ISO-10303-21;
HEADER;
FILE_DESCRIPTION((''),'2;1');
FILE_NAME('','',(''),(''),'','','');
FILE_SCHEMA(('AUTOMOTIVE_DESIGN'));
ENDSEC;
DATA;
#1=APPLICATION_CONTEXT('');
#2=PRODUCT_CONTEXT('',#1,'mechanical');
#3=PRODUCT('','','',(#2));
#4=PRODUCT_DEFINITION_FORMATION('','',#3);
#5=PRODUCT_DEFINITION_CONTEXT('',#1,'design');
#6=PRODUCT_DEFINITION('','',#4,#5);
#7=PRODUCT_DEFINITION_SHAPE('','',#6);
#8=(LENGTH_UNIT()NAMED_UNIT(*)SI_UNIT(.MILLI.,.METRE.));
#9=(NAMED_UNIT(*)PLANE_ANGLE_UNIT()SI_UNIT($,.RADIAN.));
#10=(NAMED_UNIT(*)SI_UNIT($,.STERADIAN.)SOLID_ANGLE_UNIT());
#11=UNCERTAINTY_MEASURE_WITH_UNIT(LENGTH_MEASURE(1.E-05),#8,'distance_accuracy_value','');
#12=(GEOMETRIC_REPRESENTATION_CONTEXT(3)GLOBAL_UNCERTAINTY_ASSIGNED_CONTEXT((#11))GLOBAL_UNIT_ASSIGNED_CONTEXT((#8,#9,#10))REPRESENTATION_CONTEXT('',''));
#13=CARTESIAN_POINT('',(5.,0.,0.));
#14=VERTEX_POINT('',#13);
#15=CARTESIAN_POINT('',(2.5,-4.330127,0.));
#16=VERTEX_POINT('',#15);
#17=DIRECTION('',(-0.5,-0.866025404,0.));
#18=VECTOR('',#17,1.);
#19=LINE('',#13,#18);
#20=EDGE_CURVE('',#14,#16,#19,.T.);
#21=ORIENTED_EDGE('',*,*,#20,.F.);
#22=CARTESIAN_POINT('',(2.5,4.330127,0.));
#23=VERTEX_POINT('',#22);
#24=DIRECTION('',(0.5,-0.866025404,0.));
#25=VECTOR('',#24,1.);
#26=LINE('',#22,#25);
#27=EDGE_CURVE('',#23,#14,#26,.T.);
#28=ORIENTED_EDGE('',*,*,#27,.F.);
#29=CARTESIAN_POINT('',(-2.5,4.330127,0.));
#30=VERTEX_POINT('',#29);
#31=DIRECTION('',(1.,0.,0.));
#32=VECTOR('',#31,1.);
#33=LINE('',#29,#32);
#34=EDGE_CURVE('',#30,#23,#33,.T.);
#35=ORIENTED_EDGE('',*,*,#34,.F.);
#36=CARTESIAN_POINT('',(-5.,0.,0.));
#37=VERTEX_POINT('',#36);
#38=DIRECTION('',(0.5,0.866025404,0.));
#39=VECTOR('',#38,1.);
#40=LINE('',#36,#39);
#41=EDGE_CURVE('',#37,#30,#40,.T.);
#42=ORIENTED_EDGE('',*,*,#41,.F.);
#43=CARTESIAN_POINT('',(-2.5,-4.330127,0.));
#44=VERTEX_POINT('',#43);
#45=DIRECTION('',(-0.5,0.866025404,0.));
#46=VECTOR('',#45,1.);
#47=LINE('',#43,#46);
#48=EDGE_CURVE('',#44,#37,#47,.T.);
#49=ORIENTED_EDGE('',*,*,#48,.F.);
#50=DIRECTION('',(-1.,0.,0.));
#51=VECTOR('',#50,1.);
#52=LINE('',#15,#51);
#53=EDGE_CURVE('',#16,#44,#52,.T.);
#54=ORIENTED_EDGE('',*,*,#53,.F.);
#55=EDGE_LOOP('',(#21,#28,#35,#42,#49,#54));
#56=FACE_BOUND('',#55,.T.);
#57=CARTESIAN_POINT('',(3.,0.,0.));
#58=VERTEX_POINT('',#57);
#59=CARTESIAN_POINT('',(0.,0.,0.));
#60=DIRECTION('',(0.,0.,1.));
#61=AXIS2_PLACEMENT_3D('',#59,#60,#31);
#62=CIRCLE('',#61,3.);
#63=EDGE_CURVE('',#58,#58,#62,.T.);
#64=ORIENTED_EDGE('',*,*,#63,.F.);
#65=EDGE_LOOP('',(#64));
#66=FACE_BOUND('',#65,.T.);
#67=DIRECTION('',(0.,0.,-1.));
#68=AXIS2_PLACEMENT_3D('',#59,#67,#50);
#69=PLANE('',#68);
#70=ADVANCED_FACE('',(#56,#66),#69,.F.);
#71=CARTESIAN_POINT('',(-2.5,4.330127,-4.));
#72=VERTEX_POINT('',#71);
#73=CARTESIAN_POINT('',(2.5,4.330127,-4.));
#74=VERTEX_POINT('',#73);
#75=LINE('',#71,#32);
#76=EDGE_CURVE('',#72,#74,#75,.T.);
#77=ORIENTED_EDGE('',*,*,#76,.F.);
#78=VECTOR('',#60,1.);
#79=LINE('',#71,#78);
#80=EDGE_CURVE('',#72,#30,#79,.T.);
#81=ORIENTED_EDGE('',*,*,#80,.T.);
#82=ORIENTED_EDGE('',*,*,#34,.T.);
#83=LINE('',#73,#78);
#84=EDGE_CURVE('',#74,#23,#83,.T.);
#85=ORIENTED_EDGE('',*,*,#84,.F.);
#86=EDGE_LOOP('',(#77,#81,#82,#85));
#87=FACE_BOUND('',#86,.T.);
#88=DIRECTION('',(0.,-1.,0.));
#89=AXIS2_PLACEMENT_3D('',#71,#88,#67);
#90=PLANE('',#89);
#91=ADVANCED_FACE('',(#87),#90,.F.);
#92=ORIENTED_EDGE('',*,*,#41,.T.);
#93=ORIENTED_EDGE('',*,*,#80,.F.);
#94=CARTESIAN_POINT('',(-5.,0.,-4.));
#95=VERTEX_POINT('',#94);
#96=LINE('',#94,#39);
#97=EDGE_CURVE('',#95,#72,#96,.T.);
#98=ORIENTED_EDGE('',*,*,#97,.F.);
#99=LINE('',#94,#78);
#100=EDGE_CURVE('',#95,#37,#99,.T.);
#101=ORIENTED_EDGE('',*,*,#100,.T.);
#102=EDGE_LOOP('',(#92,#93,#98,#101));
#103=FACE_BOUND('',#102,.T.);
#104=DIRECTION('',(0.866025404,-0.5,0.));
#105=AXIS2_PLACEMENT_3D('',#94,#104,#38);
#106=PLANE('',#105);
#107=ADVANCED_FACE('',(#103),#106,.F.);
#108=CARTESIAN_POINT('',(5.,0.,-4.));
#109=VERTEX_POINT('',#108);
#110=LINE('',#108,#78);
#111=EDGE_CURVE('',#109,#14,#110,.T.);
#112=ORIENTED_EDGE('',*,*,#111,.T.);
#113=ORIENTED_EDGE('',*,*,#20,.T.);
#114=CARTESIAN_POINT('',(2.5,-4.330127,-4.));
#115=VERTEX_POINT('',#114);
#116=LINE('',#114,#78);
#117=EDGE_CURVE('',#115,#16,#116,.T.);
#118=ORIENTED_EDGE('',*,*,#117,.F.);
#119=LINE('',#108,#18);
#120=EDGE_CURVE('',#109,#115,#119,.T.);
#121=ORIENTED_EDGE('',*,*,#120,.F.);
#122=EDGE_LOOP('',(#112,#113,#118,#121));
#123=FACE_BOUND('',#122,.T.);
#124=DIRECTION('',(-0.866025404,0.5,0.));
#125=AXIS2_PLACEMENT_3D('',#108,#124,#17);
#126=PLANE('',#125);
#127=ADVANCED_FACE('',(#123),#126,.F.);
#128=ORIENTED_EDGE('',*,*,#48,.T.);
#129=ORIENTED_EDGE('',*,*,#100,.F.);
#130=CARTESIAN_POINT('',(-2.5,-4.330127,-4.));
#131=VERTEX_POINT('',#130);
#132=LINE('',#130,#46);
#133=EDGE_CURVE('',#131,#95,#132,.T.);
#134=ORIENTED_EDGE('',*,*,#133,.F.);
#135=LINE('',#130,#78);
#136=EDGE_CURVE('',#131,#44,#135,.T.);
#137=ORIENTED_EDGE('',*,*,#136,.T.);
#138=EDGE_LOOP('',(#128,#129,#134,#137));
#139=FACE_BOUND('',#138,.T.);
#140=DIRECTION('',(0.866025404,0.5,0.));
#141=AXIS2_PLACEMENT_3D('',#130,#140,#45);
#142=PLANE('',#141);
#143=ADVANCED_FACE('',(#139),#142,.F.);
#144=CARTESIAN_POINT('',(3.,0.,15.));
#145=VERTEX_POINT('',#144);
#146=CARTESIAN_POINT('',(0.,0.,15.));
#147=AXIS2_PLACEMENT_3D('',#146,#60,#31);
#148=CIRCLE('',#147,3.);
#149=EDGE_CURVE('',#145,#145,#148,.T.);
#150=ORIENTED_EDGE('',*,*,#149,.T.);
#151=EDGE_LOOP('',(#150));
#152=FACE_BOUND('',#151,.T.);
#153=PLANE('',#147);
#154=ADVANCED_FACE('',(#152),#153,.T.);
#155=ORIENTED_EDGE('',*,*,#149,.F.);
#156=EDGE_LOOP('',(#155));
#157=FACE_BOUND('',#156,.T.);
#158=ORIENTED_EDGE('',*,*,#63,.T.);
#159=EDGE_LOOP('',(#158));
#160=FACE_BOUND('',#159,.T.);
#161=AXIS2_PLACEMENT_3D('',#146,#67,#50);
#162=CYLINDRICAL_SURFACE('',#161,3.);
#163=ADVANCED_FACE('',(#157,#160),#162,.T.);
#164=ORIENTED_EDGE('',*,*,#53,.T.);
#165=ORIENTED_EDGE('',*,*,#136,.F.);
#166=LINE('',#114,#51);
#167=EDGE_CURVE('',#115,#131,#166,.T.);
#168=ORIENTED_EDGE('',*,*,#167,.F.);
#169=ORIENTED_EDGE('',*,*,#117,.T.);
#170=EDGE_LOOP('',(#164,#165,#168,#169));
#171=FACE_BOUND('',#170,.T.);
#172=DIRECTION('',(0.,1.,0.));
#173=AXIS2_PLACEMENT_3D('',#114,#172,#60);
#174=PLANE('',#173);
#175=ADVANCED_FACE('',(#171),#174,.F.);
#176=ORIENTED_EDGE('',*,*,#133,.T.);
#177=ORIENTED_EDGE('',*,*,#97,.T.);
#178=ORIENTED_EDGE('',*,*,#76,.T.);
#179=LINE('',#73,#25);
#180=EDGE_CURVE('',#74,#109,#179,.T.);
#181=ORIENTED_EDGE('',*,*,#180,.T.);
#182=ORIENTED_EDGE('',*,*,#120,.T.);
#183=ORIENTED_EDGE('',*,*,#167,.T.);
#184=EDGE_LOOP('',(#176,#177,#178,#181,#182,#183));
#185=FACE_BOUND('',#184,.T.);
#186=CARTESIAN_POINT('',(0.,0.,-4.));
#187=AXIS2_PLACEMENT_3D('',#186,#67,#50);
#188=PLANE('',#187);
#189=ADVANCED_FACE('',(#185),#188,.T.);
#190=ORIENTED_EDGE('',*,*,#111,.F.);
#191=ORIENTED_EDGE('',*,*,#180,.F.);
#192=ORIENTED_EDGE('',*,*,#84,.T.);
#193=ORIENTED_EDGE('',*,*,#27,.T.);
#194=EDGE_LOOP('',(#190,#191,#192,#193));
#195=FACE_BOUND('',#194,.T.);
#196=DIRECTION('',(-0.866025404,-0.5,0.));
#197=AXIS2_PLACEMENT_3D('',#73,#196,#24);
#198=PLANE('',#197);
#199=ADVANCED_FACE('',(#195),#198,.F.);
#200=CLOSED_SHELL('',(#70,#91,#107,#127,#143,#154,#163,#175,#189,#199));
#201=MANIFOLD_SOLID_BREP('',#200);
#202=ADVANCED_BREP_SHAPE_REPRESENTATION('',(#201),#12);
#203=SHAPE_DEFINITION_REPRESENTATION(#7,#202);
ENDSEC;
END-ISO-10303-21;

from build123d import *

# Parameters (mm, degrees)
CROQUIS2_R              = 3
SALIENTE_EXTRUIR1_DEPTH = 15
SALIENTE_EXTRUIR3_DEPTH = 4


with BuildPart() as part:
    # Croquis2 → Saliente-Extruir1 (new body)
    with BuildSketch(Plane.XY):
        Circle(CROQUIS2_R)
    extrude(amount=SALIENTE_EXTRUIR1_DEPTH)

    # Croquis3 → Saliente-Extruir3 (add)
    with BuildSketch(Plane(origin=(0, 0, 0), x_dir=(-1, 0, 0), z_dir=(0, 0, -1))):
        Polygon((5, 0), (2.5, 4.330127019), (-2.5, 4.330127019), (-5, 0), (-2.5, -4.330127019), (2.5, -4.330127019), align=None)
    extrude(amount=SALIENTE_EXTRUIR3_DEPTH)


solid = part.part
